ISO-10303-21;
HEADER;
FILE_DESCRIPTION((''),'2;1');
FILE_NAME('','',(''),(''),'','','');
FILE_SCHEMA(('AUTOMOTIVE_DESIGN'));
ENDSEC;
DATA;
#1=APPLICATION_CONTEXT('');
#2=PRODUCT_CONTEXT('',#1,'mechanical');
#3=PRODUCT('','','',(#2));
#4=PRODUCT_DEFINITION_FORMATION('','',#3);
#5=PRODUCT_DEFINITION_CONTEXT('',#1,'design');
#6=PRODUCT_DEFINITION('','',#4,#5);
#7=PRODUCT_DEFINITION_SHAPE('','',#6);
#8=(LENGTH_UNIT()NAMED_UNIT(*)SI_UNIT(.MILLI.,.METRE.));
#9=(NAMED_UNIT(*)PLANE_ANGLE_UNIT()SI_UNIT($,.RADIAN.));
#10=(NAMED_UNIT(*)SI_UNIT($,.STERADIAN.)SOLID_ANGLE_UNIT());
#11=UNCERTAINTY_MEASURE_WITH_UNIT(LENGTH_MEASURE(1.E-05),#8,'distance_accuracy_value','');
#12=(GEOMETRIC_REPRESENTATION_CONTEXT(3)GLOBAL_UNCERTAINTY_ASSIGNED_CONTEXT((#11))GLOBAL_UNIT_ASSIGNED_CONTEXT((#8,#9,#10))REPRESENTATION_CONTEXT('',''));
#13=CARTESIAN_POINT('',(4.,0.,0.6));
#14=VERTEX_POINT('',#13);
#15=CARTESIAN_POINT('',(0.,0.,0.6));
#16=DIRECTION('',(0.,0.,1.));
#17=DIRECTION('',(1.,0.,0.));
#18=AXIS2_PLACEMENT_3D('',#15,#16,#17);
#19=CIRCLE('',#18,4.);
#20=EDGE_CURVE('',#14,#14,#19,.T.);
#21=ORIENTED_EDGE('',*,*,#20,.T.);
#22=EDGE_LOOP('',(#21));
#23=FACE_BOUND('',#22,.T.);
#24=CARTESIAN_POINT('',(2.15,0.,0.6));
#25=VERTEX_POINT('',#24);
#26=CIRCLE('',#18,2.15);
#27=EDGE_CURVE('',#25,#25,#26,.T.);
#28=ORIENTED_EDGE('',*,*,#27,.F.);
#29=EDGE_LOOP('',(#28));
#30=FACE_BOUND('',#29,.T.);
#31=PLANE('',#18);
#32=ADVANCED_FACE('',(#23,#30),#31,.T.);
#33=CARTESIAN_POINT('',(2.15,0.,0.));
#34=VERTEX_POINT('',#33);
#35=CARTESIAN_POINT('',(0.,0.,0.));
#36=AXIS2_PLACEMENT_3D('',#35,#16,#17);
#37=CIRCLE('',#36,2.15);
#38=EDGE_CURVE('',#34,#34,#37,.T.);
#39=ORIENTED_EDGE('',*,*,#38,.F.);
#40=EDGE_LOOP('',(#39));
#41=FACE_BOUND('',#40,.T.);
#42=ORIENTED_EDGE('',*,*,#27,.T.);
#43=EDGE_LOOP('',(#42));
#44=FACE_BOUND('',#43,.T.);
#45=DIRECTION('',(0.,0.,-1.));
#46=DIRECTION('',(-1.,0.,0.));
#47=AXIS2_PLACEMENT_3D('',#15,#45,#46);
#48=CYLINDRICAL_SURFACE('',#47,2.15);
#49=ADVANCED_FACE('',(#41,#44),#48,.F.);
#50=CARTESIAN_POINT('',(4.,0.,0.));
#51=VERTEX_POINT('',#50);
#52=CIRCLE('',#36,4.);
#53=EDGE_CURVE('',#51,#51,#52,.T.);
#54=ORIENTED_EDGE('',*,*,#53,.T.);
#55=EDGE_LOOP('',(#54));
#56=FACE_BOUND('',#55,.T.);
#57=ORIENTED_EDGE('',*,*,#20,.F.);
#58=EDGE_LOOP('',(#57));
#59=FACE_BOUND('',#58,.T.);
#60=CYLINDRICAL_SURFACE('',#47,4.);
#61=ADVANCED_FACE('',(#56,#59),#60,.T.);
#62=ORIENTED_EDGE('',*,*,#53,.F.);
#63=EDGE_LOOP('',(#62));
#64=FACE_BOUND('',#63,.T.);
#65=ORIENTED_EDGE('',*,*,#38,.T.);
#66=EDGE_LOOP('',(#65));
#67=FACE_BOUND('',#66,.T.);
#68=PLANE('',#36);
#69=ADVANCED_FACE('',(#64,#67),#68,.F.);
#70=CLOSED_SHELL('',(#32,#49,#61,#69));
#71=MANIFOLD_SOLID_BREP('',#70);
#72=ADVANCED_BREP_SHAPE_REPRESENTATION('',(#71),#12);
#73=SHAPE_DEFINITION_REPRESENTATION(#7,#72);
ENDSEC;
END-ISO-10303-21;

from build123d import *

# Parameters (mm, degrees)
SKETCH1_R           = 4
SKETCH1_R_2         = 2.15
BOSS_EXTRUDE1_DEPTH = 0.6


with BuildPart() as part:
    # Sketch1 → Boss-Extrude1 (new body)
    with BuildSketch(Plane.XY):
        Circle(SKETCH1_R)
        Circle(SKETCH1_R_2, mode=Mode.SUBTRACT)
    extrude(amount=BOSS_EXTRUDE1_DEPTH)


solid = part.part
